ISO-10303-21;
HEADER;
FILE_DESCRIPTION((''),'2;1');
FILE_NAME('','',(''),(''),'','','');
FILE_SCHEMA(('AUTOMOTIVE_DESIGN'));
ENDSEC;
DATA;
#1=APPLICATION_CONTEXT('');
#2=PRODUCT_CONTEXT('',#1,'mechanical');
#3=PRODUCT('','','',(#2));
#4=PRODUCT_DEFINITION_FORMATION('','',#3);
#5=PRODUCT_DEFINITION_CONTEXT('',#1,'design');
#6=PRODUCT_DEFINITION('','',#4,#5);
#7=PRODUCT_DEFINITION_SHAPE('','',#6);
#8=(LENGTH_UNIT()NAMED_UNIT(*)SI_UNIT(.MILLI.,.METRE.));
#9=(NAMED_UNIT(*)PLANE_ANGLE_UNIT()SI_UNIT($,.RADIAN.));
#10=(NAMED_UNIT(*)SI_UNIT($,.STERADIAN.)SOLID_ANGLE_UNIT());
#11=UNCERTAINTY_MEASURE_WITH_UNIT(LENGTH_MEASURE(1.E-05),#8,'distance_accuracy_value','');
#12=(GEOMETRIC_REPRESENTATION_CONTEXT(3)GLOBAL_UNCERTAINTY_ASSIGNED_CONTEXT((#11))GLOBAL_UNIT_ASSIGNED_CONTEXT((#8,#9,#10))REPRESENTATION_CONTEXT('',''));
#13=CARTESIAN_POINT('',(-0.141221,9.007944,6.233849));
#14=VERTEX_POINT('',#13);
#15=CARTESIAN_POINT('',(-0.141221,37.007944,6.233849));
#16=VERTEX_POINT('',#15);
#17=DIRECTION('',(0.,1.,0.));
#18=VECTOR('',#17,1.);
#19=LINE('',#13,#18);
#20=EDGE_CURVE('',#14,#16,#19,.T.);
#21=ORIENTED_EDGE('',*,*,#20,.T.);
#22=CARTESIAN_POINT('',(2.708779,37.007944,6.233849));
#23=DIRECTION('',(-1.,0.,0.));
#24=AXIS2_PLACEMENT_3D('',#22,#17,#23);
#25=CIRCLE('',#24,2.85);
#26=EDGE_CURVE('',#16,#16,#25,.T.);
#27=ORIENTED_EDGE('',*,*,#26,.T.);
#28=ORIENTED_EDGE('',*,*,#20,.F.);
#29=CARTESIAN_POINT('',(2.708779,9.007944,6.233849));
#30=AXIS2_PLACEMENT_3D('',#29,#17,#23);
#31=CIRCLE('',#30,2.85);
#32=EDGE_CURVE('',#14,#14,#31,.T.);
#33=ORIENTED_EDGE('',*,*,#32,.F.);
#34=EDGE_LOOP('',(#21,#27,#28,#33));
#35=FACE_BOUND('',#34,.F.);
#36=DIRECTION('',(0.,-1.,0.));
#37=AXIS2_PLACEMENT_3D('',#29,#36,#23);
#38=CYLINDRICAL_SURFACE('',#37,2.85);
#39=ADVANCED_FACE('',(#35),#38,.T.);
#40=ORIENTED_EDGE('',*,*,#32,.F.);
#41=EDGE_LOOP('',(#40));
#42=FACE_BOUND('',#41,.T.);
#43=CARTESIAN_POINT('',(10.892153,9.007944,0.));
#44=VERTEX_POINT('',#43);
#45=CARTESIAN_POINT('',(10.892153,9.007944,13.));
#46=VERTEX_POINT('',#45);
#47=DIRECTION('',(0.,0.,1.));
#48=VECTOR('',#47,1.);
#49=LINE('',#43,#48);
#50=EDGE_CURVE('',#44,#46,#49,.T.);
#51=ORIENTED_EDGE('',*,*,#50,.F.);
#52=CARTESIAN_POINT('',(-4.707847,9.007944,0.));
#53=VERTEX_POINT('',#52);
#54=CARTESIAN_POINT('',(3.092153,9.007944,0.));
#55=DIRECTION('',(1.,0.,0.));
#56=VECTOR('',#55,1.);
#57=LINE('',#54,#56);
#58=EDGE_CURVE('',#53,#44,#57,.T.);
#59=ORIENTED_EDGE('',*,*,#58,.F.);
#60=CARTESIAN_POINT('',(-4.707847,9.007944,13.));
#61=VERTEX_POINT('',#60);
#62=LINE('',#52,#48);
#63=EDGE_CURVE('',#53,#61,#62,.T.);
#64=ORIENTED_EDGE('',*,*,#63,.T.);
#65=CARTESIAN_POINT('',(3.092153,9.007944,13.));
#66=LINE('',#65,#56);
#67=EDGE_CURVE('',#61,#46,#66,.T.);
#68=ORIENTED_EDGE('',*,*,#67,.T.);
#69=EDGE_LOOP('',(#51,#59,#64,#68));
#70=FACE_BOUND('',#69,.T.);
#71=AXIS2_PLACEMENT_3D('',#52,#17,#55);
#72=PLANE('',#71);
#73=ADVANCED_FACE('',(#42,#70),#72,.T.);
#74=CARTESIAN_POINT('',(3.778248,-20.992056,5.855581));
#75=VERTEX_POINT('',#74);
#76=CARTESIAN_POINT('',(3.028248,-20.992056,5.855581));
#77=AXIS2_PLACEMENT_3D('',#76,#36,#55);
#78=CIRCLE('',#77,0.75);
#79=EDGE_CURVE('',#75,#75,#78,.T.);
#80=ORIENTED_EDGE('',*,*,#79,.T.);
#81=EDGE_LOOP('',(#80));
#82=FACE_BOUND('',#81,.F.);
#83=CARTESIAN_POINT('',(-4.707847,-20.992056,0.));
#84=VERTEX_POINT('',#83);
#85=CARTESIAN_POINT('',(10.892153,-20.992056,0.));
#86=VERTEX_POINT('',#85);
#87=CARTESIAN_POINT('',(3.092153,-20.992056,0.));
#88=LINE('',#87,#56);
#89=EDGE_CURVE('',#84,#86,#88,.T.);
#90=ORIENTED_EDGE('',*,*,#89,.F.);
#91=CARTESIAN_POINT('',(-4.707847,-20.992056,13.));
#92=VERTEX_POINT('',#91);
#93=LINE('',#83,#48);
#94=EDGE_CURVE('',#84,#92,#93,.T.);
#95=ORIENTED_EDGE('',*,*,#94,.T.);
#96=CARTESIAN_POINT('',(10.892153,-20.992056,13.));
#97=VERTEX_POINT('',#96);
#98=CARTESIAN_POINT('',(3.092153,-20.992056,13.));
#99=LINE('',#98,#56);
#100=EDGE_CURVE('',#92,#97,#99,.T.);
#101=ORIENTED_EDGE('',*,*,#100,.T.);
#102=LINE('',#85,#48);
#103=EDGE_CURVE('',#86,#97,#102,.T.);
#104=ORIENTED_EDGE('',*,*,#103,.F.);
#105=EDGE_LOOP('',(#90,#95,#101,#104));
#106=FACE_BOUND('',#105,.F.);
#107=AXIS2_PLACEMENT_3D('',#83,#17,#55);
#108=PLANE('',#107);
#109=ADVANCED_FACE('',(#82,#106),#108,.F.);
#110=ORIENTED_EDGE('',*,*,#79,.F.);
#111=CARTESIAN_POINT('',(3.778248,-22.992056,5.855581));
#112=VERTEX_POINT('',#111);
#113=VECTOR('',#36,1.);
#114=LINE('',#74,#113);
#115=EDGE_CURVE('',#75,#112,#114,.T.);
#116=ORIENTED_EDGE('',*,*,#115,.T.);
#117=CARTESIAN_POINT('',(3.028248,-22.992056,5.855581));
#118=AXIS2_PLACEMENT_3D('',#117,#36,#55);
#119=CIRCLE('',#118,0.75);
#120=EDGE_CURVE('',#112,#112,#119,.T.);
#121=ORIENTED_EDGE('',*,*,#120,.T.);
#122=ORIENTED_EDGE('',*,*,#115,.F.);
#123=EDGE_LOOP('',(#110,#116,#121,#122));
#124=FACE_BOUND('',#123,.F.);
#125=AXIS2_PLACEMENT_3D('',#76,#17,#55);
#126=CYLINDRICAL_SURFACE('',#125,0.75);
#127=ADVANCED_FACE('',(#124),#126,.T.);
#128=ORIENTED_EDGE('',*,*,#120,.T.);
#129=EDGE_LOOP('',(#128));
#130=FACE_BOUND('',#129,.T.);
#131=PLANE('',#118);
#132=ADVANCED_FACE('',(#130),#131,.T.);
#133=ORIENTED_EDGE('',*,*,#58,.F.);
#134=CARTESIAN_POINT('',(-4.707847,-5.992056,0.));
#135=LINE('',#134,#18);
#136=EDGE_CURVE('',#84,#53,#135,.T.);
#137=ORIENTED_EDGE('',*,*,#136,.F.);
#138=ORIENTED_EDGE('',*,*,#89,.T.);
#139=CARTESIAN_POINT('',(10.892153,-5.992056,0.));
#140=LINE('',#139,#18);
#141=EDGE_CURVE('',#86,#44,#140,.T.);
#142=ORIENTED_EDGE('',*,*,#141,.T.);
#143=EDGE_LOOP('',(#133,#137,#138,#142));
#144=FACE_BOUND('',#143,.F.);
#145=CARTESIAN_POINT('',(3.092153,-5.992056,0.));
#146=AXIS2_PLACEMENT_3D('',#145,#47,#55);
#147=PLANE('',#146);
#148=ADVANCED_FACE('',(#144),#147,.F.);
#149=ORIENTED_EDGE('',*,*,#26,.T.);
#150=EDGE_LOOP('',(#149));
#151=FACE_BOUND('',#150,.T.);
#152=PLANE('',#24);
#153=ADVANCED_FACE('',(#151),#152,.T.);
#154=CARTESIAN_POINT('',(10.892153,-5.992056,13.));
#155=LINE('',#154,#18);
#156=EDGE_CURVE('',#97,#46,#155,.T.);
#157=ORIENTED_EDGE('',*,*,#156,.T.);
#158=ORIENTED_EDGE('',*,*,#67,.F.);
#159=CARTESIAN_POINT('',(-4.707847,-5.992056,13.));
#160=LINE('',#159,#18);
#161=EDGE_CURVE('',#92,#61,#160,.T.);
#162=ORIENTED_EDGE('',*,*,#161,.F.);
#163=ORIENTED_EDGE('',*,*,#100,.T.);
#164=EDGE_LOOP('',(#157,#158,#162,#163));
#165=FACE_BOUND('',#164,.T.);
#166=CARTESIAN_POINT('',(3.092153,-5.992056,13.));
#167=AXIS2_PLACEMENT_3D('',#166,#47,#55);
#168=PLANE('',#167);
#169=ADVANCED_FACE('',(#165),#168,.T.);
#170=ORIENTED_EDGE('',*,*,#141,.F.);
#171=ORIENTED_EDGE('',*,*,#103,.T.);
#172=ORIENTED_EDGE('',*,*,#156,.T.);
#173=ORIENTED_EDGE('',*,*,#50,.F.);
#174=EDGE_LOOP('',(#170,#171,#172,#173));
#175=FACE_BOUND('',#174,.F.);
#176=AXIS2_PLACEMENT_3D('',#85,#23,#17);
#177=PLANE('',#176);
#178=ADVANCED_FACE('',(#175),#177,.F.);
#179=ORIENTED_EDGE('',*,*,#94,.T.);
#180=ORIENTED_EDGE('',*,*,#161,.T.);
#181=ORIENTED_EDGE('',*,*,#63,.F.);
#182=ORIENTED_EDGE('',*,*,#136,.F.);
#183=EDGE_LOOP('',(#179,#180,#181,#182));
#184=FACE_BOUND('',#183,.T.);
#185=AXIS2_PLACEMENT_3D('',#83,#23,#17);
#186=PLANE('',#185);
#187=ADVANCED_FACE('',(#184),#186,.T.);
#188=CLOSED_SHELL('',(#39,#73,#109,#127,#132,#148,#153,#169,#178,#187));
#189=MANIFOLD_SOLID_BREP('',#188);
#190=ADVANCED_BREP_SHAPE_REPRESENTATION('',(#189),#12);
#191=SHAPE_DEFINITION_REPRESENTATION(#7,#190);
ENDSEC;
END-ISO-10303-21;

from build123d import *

# Parameters (mm, degrees)
SKETCH_W     = 15.6
SKETCH_H     = 30
PAD_DEPTH    = 13
SKETCH001_R  = 2.85
PAD001_DEPTH = 28
SKETCH002_R  = 0.75
PAD002_DEPTH = 2


with BuildPart() as part:
    # Sketch → Pad (new body)
    with BuildSketch(Plane.XY):
        with Locations((3.092153, -5.992056)):
            Rectangle(SKETCH_W, SKETCH_H)
    extrude(amount=PAD_DEPTH)

    # Sketch001 (on Face4 of Pad) → Pad001 (join)
    with BuildSketch(Plane(origin=(0, 9.007944, 0), x_dir=(-1, 0, 0), z_dir=(0, 1, 0))):
        with Locations((-2.708779, 6.233849)):
            Circle(SKETCH001_R)
    extrude(amount=PAD001_DEPTH)

    # Sketch002 (on Face3 of Pad001) → Pad002 (join)
    with BuildSketch(Plane.XZ.offset(20.992056)):
        with Locations((3.028248, 5.855581)):
            Circle(SKETCH002_R)
    extrude(amount=PAD002_DEPTH)


solid = part.part
